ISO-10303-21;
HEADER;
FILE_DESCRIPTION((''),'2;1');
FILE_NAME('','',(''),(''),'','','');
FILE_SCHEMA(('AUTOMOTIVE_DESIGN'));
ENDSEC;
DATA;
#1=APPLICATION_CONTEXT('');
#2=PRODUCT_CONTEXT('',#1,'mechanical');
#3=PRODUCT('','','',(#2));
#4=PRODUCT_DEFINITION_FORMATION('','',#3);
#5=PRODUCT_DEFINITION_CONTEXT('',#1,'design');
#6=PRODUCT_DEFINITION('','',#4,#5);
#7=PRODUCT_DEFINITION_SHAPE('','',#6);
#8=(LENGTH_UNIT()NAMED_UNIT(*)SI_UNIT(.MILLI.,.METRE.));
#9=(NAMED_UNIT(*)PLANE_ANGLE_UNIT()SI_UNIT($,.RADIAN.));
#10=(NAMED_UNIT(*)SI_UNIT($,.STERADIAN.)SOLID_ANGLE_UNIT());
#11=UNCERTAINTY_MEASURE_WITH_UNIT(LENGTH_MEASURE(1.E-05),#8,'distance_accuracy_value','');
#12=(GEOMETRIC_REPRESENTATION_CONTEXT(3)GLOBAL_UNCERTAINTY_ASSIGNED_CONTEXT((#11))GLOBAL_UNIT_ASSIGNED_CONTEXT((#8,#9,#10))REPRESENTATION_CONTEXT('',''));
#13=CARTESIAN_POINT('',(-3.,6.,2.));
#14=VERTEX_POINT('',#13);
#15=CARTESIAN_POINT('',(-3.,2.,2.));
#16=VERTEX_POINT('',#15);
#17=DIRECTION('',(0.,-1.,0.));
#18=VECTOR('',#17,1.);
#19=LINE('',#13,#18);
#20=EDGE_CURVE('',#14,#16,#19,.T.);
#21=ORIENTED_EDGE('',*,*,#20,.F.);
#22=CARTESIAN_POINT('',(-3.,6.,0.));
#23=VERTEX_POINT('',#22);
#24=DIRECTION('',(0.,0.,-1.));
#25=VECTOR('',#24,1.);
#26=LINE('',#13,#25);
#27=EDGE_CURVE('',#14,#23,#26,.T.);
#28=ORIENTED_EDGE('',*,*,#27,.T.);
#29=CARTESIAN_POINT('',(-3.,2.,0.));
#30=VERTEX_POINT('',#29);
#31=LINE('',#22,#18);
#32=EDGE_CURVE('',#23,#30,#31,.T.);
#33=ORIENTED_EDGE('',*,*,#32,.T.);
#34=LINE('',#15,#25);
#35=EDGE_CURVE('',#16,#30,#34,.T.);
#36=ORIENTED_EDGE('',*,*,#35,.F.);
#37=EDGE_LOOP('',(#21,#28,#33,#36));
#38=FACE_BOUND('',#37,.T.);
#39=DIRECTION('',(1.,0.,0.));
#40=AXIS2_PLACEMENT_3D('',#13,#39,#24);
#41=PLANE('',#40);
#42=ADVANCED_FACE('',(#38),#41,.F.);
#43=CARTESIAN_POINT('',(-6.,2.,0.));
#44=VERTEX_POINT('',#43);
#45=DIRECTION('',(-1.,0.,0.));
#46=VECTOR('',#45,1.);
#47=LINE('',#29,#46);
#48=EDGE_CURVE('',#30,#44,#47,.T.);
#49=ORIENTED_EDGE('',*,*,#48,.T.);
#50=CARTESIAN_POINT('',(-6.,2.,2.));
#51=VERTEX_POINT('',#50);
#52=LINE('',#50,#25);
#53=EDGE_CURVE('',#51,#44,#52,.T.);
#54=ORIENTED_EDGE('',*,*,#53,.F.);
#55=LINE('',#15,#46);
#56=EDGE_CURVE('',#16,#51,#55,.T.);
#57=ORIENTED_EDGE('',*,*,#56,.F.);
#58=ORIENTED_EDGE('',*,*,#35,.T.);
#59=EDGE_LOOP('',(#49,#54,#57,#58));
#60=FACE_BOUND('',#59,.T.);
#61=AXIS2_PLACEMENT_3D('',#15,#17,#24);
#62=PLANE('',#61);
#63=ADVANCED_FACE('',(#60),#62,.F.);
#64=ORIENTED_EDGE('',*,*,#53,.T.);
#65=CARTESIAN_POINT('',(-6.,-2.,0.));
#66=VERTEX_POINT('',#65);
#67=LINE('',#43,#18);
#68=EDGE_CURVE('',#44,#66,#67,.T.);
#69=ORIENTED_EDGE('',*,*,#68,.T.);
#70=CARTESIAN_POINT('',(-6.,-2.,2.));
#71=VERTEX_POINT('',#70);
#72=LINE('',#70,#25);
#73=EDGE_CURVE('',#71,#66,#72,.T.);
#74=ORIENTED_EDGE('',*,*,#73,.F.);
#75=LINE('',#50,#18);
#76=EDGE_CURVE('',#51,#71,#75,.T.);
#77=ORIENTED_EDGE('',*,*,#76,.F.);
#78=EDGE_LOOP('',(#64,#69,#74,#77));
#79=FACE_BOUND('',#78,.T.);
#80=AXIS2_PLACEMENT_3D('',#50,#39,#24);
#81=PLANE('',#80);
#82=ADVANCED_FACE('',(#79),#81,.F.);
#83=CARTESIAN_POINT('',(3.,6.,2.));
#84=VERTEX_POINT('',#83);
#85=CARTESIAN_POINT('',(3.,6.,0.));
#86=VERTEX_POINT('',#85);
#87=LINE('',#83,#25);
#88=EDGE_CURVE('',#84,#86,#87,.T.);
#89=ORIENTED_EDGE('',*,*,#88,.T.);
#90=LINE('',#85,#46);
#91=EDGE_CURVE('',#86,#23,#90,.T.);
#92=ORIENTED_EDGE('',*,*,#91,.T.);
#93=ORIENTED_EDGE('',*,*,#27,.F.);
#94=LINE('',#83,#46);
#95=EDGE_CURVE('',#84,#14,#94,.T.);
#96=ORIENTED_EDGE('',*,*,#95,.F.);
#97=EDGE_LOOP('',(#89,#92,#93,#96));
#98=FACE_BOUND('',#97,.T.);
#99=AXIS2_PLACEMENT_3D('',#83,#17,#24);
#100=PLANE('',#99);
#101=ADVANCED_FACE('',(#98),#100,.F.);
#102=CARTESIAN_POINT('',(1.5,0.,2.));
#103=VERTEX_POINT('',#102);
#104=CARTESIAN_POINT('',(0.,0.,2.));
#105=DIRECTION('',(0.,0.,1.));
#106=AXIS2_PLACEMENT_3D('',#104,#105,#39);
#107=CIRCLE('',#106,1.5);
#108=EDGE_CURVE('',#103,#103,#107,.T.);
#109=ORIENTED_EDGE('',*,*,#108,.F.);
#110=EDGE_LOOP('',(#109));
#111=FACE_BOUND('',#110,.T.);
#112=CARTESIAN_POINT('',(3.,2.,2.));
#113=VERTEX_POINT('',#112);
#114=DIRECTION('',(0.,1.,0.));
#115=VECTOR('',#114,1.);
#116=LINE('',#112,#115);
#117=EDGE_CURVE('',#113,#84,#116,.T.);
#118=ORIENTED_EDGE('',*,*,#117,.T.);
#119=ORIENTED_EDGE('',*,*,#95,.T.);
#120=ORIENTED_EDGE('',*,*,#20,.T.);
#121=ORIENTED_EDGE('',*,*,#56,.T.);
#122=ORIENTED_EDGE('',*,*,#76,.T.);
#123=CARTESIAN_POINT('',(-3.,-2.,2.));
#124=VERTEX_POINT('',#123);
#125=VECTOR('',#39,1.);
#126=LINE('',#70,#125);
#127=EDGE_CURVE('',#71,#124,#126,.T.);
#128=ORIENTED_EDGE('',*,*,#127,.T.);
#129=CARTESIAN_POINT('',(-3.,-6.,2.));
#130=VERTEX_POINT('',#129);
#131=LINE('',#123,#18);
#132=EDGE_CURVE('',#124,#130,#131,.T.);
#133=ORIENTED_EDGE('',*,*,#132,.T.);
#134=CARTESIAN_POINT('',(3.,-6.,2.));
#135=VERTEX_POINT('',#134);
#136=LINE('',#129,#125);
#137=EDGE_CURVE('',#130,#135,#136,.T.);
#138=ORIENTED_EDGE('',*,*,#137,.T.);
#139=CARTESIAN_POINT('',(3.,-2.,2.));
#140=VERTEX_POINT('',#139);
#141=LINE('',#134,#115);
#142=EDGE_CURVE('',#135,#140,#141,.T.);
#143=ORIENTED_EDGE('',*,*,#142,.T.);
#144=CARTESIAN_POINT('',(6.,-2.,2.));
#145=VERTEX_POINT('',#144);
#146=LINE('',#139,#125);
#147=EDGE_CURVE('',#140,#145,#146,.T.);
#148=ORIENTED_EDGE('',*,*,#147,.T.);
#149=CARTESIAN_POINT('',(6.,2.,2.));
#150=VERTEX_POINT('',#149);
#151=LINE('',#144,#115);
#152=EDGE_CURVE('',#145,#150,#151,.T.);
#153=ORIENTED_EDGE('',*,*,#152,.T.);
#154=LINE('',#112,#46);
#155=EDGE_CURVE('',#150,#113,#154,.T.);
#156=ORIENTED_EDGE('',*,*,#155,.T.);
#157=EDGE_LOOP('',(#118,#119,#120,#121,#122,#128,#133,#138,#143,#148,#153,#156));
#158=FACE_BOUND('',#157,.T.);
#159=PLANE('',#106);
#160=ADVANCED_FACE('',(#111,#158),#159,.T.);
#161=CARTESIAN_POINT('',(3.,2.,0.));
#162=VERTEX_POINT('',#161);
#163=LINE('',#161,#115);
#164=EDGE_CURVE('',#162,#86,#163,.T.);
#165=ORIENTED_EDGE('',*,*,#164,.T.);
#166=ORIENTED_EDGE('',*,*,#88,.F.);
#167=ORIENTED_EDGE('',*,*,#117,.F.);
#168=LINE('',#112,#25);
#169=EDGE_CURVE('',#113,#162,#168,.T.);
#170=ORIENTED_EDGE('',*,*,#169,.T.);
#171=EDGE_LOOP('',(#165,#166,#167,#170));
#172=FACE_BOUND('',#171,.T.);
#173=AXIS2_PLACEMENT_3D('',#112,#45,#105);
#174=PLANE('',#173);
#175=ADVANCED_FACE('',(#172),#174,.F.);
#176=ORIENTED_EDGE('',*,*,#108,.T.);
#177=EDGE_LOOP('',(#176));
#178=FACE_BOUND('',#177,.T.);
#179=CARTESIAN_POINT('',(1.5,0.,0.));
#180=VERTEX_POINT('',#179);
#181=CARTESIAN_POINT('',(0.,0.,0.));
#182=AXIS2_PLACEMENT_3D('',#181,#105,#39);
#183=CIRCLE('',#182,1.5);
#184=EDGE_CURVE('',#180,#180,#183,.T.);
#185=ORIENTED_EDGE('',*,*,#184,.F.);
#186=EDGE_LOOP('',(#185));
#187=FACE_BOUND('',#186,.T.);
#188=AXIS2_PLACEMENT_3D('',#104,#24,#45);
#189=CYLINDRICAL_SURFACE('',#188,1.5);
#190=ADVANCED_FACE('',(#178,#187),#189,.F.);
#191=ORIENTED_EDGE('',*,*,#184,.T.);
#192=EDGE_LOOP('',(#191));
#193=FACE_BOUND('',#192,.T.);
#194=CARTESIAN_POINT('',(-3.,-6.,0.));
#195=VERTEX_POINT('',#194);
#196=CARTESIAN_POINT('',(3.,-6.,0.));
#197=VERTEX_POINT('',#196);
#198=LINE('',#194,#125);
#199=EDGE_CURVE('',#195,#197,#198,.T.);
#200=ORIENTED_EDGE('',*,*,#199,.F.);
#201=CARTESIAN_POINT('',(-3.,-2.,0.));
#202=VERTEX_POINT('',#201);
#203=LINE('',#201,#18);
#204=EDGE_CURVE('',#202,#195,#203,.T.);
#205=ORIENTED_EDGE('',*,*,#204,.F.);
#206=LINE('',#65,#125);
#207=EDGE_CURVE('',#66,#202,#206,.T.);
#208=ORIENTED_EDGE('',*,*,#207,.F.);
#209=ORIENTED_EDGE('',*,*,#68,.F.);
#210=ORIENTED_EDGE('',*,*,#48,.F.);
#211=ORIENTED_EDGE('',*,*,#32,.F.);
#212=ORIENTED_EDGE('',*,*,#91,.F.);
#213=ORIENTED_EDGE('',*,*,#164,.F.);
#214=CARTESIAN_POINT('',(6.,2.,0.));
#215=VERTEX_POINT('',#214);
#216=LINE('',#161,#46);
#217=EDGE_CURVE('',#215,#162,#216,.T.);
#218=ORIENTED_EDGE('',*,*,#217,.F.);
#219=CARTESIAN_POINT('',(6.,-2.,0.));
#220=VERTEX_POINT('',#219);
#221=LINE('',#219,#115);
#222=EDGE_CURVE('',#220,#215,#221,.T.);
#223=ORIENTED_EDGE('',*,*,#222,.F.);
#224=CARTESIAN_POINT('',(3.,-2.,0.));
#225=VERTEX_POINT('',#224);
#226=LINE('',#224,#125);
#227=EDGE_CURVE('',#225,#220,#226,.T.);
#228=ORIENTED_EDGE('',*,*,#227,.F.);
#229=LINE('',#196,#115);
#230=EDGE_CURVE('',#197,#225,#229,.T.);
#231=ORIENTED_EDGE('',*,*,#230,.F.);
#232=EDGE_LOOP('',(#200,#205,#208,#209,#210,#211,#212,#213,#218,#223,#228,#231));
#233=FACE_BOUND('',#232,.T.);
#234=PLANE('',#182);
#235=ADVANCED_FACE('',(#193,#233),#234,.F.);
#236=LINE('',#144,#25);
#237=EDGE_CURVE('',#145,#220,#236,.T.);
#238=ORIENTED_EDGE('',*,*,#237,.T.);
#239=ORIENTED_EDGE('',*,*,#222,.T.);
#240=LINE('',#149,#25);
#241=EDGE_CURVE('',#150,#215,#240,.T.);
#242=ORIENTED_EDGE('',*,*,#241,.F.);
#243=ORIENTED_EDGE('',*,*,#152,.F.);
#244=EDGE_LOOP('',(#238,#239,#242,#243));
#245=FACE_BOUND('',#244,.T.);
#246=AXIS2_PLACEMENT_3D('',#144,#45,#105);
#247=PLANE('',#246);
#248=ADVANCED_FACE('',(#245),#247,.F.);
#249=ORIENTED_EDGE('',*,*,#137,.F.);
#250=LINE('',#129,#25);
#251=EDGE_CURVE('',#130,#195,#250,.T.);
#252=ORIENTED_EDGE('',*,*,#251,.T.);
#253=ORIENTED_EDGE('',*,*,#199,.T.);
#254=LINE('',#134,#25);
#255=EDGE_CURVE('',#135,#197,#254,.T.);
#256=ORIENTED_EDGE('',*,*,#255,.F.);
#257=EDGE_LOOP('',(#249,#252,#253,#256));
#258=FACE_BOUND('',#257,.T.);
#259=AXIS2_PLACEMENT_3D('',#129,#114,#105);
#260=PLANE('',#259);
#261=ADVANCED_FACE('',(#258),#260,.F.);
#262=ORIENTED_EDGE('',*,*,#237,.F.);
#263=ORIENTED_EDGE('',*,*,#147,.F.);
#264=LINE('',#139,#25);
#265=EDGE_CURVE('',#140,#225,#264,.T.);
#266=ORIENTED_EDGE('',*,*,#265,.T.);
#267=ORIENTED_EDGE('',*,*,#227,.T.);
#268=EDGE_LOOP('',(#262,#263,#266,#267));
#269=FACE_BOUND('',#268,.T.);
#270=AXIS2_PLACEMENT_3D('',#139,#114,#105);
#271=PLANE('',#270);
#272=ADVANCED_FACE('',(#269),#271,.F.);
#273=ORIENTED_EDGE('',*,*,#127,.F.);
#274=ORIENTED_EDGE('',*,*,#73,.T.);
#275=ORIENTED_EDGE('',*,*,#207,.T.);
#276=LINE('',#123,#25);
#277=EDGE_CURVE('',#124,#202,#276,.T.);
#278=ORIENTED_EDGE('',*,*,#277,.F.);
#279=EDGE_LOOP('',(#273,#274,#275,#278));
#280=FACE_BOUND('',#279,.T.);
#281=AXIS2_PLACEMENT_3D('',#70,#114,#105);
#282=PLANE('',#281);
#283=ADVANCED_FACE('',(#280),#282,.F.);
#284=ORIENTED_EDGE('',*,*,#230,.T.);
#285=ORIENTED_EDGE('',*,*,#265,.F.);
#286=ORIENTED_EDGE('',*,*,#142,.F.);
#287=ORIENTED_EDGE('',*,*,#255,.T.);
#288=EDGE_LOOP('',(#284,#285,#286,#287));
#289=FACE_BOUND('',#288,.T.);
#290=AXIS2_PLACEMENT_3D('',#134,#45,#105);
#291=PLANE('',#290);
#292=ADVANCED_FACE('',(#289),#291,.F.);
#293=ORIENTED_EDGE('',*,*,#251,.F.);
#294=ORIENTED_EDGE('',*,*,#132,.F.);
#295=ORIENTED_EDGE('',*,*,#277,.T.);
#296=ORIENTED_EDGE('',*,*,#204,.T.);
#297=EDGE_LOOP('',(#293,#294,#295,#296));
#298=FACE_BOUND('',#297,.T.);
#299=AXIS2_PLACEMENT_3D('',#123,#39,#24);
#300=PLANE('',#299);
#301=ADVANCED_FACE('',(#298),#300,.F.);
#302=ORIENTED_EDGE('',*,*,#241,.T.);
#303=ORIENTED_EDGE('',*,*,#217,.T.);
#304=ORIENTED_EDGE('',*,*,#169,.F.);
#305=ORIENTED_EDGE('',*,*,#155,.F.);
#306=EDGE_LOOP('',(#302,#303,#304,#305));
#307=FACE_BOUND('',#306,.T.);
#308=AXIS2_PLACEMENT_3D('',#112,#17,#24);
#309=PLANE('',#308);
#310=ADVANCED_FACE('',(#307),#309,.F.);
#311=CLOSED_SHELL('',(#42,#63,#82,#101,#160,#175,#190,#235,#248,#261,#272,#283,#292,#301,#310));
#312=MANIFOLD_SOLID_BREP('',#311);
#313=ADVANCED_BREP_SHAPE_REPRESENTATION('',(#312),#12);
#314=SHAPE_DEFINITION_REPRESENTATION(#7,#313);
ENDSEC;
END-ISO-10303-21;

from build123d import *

# Parameters (mm, degrees)
SKETCH1_R           = 1.5
BOSS_EXTRUDE1_DEPTH = 2


with BuildPart() as part:
    # Sketch1 → Boss-Extrude1 (new body)
    with BuildSketch(Plane.XY):
        Polygon((-3, -6), (3, -6), (3, -2), (6, -2), (6, 2), (3, 2), (3, 6), (-3, 6), (-3, 2), (-6, 2), (-6, -2), (-3, -2), align=None)
        Circle(SKETCH1_R, mode=Mode.SUBTRACT)
    extrude(amount=BOSS_EXTRUDE1_DEPTH)


solid = part.part
